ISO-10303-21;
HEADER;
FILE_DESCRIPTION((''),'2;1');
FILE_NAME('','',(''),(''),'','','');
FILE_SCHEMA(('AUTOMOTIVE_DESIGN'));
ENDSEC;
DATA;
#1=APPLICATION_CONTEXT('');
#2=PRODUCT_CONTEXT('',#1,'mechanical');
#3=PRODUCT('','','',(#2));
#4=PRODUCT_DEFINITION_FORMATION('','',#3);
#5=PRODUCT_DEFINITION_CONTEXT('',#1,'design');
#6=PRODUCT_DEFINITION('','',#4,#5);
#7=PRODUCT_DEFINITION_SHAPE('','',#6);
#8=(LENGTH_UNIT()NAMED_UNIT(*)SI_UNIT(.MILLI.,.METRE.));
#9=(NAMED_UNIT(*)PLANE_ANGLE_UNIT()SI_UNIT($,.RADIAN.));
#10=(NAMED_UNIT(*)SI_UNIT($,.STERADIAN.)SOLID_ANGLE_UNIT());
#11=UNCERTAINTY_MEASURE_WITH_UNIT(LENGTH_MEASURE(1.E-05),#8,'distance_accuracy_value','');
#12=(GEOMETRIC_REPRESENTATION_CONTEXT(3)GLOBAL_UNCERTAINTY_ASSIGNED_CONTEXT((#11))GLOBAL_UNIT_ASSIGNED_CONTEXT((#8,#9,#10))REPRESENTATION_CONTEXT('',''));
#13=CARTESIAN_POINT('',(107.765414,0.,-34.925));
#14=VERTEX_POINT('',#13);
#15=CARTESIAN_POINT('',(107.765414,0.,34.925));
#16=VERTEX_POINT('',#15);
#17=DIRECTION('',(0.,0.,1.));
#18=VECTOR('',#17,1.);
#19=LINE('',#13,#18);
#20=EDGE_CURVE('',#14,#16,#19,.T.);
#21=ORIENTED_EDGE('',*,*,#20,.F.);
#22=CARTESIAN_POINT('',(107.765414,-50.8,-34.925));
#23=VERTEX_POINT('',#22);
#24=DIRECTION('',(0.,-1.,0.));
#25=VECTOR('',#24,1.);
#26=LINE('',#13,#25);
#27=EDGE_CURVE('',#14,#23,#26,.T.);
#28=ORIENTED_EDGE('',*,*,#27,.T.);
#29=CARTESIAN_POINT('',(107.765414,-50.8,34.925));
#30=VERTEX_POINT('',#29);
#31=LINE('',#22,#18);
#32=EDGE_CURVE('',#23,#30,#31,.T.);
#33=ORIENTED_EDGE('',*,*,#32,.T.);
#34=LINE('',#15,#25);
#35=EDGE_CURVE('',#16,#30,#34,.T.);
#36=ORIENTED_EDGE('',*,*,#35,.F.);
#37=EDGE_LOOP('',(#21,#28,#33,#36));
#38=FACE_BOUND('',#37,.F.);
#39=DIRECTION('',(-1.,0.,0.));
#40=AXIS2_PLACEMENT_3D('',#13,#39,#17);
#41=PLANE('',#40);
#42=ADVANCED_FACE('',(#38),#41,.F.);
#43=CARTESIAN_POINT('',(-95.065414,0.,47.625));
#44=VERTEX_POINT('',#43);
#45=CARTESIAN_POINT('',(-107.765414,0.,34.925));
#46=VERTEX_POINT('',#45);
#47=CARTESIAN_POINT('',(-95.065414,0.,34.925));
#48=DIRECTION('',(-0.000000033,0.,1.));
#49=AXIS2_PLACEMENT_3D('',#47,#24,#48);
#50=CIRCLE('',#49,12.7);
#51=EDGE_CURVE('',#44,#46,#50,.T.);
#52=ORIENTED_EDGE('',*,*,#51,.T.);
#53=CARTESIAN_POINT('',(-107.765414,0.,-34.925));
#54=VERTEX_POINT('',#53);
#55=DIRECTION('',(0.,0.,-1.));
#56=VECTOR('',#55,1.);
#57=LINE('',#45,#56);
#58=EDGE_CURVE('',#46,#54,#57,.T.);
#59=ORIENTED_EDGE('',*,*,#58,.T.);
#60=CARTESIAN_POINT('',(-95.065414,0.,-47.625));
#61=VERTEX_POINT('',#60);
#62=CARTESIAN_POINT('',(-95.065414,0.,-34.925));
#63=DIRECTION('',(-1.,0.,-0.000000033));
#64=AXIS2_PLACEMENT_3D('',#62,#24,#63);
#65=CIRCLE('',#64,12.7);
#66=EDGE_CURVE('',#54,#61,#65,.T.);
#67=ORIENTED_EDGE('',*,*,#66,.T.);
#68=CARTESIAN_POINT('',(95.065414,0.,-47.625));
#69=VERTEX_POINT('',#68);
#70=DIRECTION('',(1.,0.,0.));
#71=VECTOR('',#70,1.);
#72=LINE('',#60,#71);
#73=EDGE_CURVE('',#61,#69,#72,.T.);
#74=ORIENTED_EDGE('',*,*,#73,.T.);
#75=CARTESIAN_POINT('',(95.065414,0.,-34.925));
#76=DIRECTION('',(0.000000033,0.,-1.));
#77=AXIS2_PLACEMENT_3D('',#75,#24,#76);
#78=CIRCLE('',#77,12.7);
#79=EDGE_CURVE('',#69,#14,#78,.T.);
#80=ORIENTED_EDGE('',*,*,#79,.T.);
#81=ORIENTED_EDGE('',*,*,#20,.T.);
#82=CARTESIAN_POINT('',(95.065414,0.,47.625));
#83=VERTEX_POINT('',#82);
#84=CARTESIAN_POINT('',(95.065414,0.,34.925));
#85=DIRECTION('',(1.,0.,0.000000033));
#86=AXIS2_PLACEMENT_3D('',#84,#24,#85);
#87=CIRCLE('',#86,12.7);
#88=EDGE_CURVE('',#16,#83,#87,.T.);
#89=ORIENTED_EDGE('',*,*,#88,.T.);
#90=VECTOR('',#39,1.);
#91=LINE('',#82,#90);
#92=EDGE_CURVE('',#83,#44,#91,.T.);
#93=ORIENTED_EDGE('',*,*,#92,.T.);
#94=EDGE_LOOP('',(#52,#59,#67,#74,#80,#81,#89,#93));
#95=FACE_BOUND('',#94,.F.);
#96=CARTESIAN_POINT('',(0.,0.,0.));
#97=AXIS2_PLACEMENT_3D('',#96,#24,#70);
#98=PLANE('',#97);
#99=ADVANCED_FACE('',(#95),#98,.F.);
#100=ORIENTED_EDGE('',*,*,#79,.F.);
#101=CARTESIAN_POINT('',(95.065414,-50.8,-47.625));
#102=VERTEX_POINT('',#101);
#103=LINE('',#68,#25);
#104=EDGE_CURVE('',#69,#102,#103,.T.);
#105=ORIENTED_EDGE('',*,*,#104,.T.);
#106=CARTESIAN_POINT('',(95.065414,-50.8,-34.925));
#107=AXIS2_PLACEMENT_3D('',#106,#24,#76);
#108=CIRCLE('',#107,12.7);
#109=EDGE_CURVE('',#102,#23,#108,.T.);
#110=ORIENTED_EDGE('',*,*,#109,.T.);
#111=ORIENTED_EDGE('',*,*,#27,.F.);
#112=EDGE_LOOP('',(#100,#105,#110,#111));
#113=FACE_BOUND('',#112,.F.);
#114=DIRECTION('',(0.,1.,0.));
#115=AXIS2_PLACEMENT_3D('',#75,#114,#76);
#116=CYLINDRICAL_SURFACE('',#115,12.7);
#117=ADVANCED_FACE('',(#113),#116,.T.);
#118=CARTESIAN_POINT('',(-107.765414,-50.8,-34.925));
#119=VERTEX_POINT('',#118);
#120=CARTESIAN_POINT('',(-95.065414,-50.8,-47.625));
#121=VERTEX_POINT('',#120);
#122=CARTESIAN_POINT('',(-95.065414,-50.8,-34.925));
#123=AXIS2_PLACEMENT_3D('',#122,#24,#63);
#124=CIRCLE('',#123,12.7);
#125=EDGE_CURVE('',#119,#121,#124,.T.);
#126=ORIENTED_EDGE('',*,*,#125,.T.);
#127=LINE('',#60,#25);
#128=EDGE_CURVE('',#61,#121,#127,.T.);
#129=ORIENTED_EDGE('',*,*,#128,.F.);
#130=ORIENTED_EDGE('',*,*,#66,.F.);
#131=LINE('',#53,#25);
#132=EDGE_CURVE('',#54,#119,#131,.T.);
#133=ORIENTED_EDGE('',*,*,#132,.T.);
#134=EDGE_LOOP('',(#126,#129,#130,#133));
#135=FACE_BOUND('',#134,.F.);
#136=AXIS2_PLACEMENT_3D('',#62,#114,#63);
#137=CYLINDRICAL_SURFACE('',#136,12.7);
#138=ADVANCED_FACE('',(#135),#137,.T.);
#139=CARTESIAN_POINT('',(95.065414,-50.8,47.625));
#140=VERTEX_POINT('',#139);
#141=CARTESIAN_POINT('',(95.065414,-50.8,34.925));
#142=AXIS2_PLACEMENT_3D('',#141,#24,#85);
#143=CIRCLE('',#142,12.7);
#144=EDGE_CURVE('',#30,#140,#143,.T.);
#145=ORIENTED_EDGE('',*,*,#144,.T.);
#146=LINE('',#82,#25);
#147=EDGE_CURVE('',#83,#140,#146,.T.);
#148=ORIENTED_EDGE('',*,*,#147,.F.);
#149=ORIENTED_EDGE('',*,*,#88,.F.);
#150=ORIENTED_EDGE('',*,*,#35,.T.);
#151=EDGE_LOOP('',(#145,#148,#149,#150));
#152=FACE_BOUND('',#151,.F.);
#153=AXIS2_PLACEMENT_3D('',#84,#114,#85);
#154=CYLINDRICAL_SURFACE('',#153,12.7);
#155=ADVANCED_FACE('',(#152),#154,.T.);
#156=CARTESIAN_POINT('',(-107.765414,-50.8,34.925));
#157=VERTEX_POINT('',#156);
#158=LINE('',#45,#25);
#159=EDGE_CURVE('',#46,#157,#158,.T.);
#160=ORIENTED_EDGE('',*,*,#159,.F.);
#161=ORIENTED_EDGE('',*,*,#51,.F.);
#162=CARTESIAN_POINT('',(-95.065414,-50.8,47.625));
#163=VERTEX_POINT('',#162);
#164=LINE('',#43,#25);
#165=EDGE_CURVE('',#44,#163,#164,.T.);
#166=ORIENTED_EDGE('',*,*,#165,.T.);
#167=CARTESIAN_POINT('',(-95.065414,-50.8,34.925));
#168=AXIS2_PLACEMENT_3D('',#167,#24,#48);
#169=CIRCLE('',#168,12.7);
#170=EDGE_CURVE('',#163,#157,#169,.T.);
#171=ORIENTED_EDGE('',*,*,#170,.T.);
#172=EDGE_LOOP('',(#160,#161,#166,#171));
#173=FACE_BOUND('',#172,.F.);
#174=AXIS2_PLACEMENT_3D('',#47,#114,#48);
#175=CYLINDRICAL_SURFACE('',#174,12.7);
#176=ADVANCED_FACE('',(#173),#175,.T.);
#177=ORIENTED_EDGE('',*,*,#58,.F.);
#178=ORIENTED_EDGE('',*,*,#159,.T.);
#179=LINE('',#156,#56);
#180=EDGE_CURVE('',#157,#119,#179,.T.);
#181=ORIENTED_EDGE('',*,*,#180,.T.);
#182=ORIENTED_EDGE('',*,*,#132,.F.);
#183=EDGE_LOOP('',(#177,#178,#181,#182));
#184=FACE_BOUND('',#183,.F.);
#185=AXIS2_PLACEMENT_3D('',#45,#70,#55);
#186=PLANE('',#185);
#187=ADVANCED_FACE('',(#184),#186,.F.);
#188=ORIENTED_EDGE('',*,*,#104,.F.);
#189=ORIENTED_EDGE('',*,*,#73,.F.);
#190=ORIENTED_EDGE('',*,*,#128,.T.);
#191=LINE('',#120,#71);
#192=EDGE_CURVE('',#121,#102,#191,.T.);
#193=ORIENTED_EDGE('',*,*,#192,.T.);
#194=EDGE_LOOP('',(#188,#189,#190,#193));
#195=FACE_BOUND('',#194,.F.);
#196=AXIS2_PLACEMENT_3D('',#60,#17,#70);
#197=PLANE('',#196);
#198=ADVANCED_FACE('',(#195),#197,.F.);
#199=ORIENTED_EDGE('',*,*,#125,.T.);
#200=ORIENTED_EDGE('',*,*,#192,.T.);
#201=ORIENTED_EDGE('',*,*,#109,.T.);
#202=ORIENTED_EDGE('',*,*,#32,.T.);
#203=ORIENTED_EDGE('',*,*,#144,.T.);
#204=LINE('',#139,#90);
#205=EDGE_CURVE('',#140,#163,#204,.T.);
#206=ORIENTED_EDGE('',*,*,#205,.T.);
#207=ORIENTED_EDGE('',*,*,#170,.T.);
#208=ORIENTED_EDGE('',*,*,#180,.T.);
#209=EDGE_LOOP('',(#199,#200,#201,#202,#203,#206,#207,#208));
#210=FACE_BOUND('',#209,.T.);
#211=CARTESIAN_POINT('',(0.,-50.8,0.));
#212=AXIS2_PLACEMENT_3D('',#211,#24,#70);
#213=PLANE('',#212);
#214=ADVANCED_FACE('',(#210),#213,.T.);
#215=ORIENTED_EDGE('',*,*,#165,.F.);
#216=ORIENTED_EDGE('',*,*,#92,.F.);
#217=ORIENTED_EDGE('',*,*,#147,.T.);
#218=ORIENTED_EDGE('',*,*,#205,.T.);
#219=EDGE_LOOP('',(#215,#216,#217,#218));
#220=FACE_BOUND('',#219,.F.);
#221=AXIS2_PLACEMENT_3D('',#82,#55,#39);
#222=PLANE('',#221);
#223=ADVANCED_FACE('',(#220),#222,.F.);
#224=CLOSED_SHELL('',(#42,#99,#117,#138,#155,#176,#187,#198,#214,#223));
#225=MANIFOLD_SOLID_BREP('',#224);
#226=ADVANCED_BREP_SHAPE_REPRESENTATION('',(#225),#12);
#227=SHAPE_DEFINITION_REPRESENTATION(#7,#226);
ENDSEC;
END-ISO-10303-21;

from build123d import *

# Parameters (mm, degrees)
F0_R     = 20.32
F0_R_2   = 32.385
F1_DEPTH = 50.8


with BuildPart() as f1:
    # F0 (on Front) → F1 (new body)
    with BuildSketch(Plane.XZ):
        with BuildLine():
            Line((95.065414, 47.625), (-95.065414, 47.625))
            ThreePointArc((-95.065414, 47.625), (-104.04567, 43.905256), (-107.765414, 34.925))
            Line((-107.765414, 34.925), (-107.765414, -34.925))
            ThreePointArc((-107.765414, -34.925), (-104.04567, -43.905256), (-95.065414, -47.625))
            Line((-95.065414, -47.625), (95.065414, -47.625))
            ThreePointArc((95.065414, -47.625), (104.04567, -43.905256), (107.765414, -34.925))
            Line((107.765414, -34.925), (107.765414, 34.925))
            ThreePointArc((107.765414, 34.925), (104.04567, 43.905256), (95.065414, 47.625))
        make_face()
        with Locations((-55.365214, 0)):
            Circle(F0_R, mode=Mode.SUBTRACT)
        Circle(F0_R_2, mode=Mode.SUBTRACT)
        with Locations((55.365214, 0)):
            Circle(F0_R, mode=Mode.SUBTRACT)
        with Locations((-55.365214, 0)):
            Circle(F0_R)
        Circle(F0_R_2)
        with Locations((55.365214, 0)):
            Circle(F0_R)
    extrude(amount=F1_DEPTH)


solid = f1.part
